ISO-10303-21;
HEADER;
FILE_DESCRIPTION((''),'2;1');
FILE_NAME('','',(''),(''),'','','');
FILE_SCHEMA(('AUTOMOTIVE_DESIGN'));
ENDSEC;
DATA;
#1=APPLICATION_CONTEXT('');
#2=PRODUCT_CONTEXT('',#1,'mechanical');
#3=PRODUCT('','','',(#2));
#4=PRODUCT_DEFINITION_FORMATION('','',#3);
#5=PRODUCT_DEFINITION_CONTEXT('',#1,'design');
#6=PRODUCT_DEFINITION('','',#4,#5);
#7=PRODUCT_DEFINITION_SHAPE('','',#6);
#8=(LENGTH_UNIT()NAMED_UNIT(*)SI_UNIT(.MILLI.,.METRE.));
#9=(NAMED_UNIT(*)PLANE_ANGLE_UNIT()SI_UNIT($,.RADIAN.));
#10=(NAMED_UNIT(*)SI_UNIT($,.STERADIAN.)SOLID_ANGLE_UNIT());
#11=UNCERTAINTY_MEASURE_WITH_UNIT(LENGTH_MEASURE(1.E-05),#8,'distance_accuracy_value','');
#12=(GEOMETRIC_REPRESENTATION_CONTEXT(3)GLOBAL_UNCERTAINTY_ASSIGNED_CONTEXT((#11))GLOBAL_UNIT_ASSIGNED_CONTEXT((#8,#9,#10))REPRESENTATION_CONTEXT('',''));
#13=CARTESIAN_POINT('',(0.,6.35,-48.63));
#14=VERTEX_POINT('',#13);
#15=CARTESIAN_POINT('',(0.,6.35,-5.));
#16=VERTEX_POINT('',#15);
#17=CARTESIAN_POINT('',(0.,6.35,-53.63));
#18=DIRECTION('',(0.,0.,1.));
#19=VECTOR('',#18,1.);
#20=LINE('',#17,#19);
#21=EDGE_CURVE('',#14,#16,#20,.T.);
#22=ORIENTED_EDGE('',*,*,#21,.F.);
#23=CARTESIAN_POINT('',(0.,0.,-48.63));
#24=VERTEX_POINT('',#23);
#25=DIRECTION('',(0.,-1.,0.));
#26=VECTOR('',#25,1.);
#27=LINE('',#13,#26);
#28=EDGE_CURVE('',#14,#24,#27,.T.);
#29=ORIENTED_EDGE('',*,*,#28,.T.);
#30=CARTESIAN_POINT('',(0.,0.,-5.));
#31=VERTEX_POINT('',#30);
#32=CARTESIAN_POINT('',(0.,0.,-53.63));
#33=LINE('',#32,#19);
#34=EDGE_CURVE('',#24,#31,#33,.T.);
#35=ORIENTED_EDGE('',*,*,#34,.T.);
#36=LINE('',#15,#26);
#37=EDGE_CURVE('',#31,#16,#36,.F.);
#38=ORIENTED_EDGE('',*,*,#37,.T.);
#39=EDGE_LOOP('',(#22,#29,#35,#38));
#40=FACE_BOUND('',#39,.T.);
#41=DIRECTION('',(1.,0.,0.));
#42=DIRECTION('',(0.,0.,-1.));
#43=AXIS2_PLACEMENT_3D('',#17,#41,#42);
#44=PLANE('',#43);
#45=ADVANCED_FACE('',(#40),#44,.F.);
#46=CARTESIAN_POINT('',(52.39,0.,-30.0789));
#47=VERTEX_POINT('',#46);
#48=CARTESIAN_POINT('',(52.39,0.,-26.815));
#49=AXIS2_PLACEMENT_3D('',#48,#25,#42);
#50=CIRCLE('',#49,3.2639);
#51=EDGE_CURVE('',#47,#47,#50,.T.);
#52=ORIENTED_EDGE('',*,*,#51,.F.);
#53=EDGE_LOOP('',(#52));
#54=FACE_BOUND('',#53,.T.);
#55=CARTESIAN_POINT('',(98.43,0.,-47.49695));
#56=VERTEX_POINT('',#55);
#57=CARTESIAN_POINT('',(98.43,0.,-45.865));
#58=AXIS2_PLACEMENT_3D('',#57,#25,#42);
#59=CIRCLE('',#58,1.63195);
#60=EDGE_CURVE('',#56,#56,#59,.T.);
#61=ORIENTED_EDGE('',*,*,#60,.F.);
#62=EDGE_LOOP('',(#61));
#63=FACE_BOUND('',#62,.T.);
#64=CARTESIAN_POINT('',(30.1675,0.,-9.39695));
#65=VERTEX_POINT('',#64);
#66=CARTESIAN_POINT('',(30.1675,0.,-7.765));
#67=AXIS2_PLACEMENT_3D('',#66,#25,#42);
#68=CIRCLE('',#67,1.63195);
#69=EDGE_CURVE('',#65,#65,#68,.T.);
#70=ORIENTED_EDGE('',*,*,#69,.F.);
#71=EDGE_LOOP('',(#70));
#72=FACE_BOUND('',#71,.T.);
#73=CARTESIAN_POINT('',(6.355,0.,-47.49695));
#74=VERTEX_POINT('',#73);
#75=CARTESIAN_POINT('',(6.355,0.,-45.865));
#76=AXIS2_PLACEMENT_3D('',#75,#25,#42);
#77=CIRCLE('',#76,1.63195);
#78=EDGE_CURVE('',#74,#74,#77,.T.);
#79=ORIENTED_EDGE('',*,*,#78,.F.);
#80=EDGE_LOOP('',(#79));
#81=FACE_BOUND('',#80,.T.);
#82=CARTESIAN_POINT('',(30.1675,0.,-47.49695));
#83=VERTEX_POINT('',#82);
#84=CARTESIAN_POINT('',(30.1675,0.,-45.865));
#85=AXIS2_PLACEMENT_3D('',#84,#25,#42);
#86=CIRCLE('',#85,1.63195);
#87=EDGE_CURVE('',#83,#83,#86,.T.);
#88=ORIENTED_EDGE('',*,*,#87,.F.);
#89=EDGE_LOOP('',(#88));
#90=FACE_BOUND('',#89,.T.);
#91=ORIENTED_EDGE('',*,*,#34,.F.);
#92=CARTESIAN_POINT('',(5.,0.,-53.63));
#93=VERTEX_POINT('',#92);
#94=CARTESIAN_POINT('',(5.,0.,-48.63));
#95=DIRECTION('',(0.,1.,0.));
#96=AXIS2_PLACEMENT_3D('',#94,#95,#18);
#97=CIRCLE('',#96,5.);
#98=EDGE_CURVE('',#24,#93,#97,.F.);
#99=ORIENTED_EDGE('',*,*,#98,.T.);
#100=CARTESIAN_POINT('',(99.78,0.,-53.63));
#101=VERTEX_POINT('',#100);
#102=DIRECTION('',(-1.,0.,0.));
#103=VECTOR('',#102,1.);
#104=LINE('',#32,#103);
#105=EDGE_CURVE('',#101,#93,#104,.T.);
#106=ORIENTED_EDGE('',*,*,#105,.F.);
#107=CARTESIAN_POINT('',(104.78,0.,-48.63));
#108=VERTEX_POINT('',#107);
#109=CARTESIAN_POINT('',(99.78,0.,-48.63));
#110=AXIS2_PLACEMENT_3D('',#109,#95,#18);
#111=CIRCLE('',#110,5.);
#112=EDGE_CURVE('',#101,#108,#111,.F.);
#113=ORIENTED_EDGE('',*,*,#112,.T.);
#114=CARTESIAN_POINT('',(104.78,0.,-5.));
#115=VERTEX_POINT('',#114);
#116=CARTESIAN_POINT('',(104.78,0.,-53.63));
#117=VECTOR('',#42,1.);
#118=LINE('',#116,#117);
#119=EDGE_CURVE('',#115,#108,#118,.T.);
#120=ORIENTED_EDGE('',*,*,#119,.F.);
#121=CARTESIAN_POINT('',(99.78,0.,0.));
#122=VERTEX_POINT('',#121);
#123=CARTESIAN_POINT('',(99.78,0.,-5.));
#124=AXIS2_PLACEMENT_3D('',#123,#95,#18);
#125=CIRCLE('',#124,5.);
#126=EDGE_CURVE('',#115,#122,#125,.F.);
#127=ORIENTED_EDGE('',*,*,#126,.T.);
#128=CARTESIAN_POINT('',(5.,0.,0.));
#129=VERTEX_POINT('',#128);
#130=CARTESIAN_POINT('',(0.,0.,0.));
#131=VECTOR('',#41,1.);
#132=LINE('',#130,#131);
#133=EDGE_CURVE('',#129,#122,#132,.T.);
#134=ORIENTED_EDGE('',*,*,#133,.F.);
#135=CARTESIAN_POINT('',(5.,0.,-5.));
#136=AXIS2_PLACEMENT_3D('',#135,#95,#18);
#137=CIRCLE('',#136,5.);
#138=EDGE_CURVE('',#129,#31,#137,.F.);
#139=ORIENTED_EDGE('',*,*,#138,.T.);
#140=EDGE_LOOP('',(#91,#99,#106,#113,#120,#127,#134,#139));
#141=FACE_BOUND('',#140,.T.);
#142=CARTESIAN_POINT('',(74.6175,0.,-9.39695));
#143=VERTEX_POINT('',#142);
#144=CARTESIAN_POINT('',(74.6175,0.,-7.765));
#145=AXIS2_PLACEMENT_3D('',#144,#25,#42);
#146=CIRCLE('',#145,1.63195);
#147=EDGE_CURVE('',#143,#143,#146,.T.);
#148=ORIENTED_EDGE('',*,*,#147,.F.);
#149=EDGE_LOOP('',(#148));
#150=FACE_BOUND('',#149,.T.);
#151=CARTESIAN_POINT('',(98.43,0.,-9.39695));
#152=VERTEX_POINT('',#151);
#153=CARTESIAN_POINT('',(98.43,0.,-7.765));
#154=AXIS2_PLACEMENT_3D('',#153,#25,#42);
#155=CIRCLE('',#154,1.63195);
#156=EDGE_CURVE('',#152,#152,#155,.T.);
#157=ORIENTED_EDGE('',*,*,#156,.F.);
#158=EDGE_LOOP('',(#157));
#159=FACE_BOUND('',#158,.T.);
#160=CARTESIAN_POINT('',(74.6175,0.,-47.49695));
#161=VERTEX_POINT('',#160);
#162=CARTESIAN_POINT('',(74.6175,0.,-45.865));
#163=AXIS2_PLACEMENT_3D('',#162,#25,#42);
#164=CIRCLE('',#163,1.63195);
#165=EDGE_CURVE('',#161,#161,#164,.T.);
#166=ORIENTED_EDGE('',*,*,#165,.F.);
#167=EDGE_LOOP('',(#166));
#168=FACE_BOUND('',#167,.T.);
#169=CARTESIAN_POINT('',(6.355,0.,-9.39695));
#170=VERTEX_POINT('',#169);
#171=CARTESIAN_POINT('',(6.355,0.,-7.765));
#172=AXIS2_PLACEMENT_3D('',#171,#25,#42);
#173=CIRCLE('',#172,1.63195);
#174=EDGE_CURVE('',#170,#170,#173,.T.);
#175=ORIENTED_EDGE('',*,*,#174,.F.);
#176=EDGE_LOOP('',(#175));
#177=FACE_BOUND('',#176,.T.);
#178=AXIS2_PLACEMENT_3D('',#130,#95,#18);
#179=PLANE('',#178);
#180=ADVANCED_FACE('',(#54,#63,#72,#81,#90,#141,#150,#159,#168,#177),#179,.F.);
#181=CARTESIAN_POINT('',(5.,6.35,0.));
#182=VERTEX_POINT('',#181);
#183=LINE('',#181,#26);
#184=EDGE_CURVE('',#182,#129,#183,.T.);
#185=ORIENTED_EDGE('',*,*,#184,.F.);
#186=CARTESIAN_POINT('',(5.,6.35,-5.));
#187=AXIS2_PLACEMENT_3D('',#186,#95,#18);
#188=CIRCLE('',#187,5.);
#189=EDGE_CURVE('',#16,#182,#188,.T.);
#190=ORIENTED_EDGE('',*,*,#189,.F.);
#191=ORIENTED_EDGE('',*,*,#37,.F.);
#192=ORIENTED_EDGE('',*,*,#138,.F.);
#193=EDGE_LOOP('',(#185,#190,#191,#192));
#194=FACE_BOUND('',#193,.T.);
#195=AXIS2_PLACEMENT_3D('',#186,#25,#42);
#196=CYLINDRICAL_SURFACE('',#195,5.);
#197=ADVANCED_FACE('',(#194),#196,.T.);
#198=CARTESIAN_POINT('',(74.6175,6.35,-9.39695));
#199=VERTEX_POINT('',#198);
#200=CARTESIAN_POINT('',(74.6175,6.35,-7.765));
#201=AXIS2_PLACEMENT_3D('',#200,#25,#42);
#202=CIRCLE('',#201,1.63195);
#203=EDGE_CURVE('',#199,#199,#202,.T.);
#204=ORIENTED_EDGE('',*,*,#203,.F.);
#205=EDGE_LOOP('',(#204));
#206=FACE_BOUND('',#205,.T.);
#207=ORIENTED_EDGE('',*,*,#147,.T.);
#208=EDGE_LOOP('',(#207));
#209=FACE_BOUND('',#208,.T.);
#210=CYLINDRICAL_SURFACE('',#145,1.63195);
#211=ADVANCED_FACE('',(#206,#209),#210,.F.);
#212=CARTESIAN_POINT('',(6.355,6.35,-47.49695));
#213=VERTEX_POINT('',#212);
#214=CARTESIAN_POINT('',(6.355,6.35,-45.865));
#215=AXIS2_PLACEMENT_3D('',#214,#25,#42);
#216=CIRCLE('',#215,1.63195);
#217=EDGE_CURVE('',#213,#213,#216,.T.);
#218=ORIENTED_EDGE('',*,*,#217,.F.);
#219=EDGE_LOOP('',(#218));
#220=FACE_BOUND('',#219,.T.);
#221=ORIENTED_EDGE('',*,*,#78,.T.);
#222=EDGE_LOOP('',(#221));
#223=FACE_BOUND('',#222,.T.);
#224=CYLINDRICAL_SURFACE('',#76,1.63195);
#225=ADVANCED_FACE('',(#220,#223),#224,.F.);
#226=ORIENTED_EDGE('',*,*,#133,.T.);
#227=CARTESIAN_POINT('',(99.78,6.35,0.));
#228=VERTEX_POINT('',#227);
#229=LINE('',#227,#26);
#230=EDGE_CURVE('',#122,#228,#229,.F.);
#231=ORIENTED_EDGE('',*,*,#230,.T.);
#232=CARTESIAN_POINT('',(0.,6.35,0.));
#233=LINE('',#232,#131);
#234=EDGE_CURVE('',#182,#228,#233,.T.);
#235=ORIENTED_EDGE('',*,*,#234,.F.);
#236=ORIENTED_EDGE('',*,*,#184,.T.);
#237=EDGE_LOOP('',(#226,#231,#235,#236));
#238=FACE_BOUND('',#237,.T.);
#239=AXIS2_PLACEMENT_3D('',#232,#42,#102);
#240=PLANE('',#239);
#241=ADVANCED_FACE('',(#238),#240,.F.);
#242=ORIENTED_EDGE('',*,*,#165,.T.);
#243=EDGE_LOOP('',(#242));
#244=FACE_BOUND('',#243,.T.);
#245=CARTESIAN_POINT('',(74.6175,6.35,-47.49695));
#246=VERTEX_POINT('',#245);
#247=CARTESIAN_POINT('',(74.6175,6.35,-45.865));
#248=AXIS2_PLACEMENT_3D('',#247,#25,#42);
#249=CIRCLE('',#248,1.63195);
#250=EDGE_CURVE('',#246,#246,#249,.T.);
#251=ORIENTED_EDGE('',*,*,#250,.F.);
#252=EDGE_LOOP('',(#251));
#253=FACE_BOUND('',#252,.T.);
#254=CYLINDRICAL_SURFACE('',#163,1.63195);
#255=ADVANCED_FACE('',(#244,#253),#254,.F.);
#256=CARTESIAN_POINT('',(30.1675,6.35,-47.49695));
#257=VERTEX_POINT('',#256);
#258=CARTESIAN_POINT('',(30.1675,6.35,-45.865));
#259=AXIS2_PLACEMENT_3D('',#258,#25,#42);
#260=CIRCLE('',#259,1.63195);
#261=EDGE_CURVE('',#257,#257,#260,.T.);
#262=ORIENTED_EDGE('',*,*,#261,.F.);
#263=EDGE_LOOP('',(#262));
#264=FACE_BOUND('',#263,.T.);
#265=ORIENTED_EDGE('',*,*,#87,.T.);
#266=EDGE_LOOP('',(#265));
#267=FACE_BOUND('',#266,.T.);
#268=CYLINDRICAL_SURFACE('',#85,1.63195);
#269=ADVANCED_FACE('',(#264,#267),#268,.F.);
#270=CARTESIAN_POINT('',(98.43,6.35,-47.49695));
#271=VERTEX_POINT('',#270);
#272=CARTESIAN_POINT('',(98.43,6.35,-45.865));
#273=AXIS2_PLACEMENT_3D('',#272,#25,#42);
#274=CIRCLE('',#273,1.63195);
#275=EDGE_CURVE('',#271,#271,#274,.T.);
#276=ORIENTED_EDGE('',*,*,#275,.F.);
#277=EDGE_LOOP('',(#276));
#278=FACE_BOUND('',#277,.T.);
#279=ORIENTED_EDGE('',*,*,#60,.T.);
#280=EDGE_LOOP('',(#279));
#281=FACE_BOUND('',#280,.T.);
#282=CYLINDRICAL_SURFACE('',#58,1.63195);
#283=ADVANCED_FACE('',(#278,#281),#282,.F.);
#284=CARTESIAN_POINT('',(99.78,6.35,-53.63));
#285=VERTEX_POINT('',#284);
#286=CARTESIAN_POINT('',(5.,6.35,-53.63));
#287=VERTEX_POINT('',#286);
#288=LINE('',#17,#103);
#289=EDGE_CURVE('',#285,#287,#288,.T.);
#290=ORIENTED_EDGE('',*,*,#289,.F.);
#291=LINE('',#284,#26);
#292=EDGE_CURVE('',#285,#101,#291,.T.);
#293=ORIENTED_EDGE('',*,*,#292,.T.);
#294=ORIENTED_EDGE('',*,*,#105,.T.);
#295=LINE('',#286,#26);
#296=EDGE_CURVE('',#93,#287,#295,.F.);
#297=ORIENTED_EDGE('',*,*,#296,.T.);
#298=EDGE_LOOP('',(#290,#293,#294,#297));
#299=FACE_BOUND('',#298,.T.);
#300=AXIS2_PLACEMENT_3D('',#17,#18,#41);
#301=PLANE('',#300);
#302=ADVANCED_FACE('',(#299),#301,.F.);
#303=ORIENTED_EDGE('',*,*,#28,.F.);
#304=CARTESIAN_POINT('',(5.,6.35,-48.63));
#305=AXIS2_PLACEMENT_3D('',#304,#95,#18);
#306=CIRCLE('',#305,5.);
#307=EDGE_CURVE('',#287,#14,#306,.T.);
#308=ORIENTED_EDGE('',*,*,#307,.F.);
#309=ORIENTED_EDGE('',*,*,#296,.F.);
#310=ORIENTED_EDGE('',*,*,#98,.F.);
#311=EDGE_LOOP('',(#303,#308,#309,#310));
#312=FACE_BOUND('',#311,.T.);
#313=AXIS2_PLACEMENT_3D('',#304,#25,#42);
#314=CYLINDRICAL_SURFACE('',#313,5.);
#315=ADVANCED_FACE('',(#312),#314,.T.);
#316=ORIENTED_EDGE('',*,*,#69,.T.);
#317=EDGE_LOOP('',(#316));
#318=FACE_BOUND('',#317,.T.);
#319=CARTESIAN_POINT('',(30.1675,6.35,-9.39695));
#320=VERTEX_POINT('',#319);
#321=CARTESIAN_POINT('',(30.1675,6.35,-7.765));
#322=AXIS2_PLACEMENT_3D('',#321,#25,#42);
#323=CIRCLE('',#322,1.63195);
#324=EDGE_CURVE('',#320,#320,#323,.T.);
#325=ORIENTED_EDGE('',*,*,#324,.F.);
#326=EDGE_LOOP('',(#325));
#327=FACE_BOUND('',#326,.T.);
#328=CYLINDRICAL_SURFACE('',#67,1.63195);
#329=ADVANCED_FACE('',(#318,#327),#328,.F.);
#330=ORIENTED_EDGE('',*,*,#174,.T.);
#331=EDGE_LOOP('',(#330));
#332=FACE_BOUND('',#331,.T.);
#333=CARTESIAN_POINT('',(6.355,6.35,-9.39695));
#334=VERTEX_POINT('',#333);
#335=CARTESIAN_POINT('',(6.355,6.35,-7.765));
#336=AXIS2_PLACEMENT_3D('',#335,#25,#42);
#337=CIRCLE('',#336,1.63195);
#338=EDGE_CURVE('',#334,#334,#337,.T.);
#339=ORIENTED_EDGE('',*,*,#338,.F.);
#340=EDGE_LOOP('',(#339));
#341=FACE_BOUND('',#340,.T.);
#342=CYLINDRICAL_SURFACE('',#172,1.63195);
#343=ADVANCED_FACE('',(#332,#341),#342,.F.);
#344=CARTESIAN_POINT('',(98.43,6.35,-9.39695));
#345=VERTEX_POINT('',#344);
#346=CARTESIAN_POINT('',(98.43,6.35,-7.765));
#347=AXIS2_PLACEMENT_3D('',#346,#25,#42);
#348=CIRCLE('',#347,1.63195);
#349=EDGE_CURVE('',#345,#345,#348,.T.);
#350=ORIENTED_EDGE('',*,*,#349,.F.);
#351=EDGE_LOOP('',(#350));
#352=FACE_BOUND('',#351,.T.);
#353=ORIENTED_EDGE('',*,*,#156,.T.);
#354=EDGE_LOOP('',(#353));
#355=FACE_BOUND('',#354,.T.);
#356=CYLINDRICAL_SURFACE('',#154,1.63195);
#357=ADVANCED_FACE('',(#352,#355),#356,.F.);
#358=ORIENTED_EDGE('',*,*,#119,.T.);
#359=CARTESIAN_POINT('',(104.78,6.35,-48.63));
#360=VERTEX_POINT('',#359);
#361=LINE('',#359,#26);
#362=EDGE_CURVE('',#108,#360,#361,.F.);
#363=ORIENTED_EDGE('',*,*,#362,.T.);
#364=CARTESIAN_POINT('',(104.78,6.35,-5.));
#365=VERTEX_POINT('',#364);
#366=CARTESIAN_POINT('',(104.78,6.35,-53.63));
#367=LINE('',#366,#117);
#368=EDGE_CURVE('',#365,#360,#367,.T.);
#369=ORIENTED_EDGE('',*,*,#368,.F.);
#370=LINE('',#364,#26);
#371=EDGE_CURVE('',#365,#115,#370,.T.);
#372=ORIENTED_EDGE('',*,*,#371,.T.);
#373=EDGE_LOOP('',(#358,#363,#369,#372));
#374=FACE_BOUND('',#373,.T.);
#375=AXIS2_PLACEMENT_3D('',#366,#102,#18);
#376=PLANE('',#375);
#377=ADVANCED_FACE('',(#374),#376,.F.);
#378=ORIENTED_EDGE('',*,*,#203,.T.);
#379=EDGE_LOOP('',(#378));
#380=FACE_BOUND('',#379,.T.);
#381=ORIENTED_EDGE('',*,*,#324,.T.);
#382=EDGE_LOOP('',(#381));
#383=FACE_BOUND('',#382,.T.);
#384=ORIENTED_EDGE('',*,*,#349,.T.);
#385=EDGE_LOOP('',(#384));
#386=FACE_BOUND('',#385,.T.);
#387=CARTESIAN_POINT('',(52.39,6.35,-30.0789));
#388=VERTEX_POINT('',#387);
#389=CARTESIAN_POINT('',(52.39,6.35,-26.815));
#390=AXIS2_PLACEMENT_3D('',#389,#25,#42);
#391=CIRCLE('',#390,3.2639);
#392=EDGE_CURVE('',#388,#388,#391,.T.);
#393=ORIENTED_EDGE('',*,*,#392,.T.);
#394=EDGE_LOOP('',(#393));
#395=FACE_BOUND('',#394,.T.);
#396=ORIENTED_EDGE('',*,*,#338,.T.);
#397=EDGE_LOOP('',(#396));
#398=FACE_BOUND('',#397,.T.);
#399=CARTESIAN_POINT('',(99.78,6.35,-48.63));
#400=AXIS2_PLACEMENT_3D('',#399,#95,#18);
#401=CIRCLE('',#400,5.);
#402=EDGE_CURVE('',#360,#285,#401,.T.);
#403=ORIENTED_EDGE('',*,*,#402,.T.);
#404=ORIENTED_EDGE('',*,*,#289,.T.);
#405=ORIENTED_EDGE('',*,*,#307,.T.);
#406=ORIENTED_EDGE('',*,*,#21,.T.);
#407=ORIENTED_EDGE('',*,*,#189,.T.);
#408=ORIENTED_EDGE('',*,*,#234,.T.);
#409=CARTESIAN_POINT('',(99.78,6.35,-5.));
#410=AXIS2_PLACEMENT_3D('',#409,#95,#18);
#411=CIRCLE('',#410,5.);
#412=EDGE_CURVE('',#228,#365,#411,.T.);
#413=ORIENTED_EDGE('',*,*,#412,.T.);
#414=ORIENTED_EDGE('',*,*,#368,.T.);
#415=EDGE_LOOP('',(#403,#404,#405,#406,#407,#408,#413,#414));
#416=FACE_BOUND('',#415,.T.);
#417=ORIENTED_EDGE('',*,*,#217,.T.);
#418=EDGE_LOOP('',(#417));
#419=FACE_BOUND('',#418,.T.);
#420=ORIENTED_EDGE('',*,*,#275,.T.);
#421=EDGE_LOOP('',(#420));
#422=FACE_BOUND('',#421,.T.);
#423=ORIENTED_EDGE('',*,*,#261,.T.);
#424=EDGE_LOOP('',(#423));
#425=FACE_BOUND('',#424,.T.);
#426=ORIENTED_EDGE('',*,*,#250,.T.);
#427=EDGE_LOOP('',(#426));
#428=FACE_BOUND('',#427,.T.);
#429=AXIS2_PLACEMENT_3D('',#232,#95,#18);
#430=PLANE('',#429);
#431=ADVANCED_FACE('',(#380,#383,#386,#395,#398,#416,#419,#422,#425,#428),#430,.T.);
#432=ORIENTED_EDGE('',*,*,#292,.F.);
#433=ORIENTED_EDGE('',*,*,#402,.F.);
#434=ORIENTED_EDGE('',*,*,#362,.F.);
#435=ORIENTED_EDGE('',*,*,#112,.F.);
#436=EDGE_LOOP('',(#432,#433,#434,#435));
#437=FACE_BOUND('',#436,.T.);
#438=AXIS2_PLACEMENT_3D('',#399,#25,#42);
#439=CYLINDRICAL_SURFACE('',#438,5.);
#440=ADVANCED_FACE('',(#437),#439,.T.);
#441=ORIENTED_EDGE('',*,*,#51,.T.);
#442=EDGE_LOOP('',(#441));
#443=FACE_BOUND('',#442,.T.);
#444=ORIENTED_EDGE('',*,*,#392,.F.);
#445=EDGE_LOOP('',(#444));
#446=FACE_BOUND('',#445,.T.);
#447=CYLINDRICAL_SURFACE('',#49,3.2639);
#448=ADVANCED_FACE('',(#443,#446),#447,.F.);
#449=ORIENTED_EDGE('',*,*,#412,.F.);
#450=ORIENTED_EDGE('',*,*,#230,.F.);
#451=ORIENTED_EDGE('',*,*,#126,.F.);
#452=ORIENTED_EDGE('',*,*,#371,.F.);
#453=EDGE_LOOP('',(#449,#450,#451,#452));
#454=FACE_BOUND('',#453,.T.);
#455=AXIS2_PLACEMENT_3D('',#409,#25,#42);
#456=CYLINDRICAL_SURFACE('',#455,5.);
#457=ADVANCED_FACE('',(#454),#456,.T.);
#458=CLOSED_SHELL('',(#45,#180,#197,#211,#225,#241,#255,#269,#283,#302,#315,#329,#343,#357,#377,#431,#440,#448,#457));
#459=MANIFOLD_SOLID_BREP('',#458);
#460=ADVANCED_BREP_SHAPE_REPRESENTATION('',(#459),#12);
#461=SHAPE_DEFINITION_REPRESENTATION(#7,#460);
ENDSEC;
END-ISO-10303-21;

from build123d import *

# Parameters (mm, degrees)
SKETCH1_W                    = 104.78
SKETCH1_H                    = 53.63
BOSS_EXTRUDE1_DEPTH          = 6.35
F_30_0_1285_DIAMETER_HOLE1_D = 3.2639
F_0_257_DIAMETER_HOLE1_D     = 6.5278
FILLET1_R                    = 5


with BuildPart() as part:
    # Sketch1 → Boss-Extrude1 (new body)
    with BuildSketch(Plane(origin=(0, 0, 0), x_dir=(1, 0, 0), z_dir=(0, 1, 0))):
        with Locations((52.39, 26.815)):
            Rectangle(SKETCH1_W, SKETCH1_H)
    extrude(amount=BOSS_EXTRUDE1_DEPTH)

    # #30 (0.1285) Diameter Hole1 (through all)
    with Locations(Plane(origin=(0, 0, 0), x_dir=(-1, 0, 0), z_dir=(0, -1, 0))):
        with Locations((-98.43, 7.765), (-98.43, 45.865), (-74.6175, 7.765), (-74.6175, 45.865), (-30.1675, 7.765), (-30.1675, 45.865), (-6.355, 7.765), (-6.355, 45.865)):
            Hole(F_30_0_1285_DIAMETER_HOLE1_D / 2)

    # F (0.257) Diameter Hole1 (through all)
    with Locations(Plane(origin=(0, 0, 0), x_dir=(-1, 0, 0), z_dir=(0, -1, 0))):
        with Locations((-52.39, 26.815)):
            Hole(F_0_257_DIAMETER_HOLE1_D / 2)

    # Fillet1
    fillet1_edges = [part.edges().sort_by_distance(p)[0] for p in [
        (0, 3.175, -53.63),
        (104.78, 3.175, -53.63),
        (104.78, 3.175, 0),
        (0, 3.175, 0),
    ]]
    fillet(fillet1_edges, radius=FILLET1_R)


solid = part.part
